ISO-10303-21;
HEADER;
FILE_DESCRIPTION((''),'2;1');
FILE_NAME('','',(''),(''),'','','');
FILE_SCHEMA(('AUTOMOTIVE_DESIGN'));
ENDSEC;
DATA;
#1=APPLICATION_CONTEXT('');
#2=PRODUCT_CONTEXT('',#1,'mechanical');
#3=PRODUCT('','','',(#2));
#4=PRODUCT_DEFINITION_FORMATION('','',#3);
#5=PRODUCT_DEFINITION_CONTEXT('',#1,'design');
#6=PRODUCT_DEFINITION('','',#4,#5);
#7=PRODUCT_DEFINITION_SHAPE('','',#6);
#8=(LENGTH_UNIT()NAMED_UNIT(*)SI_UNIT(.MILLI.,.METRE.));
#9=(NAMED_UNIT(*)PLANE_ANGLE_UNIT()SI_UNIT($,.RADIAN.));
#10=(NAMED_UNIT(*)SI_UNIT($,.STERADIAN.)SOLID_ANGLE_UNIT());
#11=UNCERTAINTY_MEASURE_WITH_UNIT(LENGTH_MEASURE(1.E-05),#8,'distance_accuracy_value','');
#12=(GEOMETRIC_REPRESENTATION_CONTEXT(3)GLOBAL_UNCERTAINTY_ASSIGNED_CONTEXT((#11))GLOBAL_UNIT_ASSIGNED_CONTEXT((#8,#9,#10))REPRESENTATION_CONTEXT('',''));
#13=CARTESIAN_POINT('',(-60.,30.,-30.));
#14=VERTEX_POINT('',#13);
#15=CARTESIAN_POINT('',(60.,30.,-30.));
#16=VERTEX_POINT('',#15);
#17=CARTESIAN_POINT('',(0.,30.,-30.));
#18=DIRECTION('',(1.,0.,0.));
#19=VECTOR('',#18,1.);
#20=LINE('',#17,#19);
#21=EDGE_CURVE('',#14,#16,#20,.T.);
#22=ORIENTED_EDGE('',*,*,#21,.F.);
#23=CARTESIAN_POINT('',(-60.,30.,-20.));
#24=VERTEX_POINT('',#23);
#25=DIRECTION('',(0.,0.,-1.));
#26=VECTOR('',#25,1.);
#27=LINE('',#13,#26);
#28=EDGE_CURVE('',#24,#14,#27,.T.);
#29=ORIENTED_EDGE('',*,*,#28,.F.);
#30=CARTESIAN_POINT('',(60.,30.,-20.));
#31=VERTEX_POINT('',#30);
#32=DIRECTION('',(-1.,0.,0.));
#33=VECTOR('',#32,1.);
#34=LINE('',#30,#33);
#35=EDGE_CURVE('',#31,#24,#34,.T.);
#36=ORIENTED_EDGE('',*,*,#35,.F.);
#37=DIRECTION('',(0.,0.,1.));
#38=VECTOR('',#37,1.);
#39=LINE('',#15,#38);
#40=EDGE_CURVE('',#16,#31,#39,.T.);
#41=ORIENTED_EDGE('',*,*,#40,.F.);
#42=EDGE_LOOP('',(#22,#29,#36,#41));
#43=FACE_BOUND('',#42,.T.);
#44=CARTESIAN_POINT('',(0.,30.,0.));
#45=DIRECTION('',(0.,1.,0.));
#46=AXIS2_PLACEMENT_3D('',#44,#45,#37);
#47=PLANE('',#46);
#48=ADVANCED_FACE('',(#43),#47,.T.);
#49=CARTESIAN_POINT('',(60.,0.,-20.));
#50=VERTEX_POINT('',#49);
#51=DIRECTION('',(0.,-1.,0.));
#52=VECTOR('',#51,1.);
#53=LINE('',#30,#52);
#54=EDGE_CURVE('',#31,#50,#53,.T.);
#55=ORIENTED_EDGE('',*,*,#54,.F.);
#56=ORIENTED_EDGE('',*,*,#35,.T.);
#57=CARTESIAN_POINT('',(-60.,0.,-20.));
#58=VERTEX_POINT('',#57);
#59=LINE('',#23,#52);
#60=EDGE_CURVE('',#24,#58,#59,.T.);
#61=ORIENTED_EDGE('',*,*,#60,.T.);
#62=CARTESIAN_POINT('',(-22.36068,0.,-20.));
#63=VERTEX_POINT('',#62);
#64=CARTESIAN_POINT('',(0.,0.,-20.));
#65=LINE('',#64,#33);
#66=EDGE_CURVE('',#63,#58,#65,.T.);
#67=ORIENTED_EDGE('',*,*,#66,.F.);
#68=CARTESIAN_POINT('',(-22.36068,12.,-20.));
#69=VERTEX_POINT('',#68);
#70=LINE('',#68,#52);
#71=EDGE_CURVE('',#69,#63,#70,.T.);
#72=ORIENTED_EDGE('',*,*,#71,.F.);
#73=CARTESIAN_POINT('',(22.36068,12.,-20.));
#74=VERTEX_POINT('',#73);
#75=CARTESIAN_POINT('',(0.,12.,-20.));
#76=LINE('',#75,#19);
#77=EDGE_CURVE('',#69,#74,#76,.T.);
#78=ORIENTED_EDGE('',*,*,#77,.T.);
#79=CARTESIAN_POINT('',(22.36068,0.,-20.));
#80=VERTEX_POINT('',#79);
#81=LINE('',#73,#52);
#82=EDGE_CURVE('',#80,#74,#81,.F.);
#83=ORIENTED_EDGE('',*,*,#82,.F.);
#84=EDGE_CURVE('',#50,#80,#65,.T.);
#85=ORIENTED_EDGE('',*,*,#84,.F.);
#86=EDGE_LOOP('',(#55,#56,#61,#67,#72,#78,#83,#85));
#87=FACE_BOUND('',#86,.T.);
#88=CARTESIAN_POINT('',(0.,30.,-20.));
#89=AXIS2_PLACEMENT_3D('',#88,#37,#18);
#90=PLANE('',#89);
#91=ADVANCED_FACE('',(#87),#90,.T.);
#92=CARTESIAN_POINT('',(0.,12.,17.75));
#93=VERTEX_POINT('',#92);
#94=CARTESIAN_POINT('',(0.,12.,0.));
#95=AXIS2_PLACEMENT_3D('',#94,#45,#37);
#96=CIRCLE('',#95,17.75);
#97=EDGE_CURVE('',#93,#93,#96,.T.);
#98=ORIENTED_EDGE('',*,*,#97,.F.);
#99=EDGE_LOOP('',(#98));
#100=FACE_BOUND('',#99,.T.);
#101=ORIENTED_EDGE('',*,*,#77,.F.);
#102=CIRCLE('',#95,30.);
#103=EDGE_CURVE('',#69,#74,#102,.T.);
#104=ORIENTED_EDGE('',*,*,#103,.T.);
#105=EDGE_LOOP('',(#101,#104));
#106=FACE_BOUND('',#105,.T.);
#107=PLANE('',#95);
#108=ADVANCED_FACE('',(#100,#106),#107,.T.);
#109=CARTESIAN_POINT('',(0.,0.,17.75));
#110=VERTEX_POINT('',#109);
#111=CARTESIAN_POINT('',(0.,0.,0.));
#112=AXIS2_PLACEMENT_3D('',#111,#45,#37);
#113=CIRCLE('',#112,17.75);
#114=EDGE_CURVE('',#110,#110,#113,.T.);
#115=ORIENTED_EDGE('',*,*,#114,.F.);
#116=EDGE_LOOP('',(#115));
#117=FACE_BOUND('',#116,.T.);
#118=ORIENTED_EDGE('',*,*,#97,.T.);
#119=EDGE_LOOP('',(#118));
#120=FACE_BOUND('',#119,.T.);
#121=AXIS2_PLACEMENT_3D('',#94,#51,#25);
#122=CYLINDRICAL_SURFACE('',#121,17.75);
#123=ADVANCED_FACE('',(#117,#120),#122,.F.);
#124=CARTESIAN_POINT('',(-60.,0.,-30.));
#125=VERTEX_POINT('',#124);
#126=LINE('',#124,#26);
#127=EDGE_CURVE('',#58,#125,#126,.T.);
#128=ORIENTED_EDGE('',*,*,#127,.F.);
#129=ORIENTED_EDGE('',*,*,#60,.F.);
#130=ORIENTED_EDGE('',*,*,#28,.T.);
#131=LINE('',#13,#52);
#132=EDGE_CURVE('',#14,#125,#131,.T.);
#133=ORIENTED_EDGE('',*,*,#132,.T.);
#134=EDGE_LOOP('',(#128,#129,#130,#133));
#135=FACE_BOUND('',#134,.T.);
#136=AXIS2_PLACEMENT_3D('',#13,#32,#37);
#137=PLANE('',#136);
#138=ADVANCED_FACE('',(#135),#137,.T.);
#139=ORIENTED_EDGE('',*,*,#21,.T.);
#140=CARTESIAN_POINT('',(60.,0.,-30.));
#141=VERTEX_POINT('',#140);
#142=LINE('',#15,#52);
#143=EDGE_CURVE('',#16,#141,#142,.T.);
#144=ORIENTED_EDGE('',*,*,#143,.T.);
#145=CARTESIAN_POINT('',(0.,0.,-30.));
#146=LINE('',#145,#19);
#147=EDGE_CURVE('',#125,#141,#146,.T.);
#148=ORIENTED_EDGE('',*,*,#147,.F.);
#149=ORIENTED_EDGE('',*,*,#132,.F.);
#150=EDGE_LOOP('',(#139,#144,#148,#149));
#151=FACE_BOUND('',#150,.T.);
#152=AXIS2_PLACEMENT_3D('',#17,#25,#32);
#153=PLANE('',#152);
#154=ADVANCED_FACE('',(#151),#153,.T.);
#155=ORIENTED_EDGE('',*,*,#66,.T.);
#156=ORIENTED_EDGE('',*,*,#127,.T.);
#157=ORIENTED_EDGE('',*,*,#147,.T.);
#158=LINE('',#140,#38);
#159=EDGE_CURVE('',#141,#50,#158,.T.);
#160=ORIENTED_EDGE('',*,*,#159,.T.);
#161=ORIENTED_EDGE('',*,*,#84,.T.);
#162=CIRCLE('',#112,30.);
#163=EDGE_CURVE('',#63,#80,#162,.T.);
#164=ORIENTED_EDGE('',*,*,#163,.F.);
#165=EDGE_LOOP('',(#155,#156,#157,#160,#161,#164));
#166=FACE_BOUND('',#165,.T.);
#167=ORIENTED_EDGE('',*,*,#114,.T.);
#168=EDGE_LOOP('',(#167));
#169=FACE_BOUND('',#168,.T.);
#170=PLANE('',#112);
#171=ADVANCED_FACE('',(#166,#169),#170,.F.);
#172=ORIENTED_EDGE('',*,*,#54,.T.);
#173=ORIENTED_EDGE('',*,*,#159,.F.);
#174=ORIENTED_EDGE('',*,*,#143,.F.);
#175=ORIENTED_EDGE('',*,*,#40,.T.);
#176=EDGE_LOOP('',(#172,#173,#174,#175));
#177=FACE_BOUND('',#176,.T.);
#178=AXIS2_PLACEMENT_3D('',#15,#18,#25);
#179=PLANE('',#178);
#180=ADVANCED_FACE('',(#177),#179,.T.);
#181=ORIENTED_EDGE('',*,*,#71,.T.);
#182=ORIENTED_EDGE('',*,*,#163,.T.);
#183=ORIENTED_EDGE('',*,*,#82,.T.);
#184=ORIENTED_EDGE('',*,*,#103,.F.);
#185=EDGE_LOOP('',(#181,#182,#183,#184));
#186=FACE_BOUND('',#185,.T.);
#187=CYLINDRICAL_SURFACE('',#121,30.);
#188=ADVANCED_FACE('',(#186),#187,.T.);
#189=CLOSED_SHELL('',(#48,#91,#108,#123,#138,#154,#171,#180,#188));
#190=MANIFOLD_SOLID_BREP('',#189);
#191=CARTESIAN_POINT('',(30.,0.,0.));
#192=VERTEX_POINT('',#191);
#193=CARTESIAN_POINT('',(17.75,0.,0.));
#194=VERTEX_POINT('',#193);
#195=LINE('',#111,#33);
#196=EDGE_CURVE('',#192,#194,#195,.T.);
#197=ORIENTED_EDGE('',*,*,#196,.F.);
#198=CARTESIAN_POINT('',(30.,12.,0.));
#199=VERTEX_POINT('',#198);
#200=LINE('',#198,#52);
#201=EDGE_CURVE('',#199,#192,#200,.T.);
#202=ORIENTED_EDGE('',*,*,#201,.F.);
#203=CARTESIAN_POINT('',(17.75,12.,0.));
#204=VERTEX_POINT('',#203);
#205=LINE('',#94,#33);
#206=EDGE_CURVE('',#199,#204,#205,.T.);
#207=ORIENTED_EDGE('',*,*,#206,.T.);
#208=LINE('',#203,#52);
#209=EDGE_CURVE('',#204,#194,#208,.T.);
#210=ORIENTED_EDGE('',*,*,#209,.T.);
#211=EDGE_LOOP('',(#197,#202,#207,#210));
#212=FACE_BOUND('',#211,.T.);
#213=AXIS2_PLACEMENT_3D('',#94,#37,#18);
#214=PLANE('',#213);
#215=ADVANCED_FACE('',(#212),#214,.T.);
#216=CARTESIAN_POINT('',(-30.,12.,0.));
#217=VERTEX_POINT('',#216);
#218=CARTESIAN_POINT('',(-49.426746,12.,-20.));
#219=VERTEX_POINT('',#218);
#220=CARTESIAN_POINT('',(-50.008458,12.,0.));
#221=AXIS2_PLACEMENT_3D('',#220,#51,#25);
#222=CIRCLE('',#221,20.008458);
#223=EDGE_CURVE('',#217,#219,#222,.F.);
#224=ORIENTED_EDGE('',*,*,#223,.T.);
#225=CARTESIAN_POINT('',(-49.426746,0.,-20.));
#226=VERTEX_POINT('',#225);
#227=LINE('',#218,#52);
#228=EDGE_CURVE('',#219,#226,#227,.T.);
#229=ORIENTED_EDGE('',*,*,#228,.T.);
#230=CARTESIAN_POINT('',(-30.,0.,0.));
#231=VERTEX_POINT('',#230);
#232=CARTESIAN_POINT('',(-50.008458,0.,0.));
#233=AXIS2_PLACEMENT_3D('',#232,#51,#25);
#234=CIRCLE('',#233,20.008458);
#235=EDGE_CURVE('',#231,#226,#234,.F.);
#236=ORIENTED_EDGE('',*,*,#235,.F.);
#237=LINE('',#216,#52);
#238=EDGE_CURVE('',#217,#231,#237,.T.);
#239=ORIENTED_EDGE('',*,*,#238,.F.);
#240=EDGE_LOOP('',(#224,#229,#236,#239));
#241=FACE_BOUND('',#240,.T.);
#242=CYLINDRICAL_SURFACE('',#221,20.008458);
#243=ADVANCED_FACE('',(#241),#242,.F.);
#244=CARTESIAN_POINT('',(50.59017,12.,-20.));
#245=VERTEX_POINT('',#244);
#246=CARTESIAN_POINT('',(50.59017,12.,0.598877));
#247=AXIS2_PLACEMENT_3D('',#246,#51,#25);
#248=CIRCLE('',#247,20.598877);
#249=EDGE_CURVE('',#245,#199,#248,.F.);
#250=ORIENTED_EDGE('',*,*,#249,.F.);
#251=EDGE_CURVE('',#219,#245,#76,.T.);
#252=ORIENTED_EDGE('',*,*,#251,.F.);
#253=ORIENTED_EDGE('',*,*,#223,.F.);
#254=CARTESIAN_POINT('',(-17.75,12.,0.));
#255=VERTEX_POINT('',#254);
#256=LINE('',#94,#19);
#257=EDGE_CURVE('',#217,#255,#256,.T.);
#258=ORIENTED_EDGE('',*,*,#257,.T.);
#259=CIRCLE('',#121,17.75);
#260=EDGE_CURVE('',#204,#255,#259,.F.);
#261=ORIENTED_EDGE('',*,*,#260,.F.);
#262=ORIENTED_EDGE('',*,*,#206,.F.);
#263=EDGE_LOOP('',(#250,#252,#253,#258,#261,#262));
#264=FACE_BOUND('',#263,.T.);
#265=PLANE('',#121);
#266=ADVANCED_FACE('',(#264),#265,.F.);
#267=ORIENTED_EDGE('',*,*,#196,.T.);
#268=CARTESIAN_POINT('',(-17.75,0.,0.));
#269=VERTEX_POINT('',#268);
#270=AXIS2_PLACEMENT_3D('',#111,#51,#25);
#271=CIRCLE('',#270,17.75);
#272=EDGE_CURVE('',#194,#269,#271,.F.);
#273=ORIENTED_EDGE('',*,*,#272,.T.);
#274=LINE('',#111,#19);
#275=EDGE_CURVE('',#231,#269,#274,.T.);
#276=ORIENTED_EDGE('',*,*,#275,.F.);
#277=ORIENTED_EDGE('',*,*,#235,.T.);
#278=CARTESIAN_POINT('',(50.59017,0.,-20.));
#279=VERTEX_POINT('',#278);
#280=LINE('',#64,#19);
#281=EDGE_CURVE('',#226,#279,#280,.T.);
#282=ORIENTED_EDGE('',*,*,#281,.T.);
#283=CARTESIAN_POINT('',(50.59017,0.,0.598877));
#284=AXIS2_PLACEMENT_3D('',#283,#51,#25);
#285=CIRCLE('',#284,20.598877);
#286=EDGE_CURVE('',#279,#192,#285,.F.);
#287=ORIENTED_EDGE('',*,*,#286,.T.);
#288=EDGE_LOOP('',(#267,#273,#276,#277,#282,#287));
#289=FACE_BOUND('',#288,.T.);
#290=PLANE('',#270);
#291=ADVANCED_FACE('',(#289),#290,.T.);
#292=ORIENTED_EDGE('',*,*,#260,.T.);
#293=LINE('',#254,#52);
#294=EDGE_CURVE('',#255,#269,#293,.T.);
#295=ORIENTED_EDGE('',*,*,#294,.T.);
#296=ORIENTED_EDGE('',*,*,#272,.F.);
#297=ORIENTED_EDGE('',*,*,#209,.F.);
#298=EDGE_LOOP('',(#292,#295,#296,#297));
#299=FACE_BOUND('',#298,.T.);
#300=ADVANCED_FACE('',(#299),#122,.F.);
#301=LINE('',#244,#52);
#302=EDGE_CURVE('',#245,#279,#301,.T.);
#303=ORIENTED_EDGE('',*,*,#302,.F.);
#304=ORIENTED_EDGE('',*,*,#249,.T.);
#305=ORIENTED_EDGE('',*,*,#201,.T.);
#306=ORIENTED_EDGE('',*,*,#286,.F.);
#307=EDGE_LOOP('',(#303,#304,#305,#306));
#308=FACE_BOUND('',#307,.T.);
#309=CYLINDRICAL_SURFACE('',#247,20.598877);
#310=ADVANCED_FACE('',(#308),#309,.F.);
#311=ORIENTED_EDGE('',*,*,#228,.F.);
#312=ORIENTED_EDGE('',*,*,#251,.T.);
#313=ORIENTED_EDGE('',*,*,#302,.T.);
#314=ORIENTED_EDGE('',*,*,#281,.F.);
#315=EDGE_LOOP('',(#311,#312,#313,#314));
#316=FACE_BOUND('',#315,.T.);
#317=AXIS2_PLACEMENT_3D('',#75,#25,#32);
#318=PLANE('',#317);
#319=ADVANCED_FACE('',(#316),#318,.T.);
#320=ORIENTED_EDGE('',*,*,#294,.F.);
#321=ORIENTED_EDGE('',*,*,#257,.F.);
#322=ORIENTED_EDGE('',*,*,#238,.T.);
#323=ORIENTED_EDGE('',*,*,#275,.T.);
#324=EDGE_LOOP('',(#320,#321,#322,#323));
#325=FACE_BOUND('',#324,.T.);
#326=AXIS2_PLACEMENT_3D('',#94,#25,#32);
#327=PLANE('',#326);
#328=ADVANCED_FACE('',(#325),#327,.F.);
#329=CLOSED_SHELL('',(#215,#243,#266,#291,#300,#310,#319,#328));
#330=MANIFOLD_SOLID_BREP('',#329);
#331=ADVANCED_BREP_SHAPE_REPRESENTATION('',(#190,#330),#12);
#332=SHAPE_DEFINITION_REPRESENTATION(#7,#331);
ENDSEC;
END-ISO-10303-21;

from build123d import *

# Parameters (mm, degrees)
SKETCH1_R           = 30
SKETCH1_R_2         = 17.75
BOSS_EXTRUDE1_DEPTH = 12
BOSS_EXTRUDE2_DEPTH = 30
BOSS_EXTRUDE3_DEPTH = 12


with BuildPart() as part:
    # Sketch1 → Boss-Extrude1 (new body)
    with BuildSketch(Plane(origin=(0, 0, 0), x_dir=(1, 0, 0), z_dir=(0, 1, 0))):
        with Locations(Location((0, 0, 0), (0, 0, 270))):
            Circle(SKETCH1_R)
        with Locations(Location((0, 0, 0), (0, 0, 270))):
            Circle(SKETCH1_R_2, mode=Mode.SUBTRACT)
    extrude(amount=BOSS_EXTRUDE1_DEPTH)

    # Sketch5 → Boss-Extrude2 (add)
    with BuildSketch(Plane.XZ):
        Polygon((0, -30), (60, -30), (60, -20), (0, -20), (-60, -20), (-60, -30), align=None)
    extrude(amount=-BOSS_EXTRUDE2_DEPTH)


with BuildPart() as body_2:
    # Sketch6 → Boss-Extrude3 (new body)
    with BuildSketch(Plane.XZ):
        with BuildLine():
            ThreePointArc((-30, 0), (-28.025170769, -10.704662693), (-22.360679775, -20))
            Line((-22.360679775, -20), (22.360679775, -20))
            ThreePointArc((22.360679775, -20), (28.025170769, -10.704662693), (30, 0))
            Line((30, 0), (17.75, 0))
            ThreePointArc((17.75, 0), (0, -17.75), (-17.75, 0))
            Line((-17.75, 0), (-30, 0))
        make_face()
        with BuildLine():
            ThreePointArc((30, 0), (28.025170769, -10.704662693), (22.360679775, -20))
            Line((22.360679775, -20), (50.590169944, -20))
            ThreePointArc((50.590169944, -20), (36.237860911, -14.176946646), (30, 0))
        make_face()
        with BuildLine():
            Line((-49.426745923, -20), (-22.360679775, -20))
            ThreePointArc((-22.360679775, -20), (-28.025170769, -10.704662693), (-30, 0))
            ThreePointArc((-30, 0), (-35.6561489, -13.940933049), (-49.426745923, -20))
        make_face()
    extrude(amount=-BOSS_EXTRUDE3_DEPTH)


solid = Compound([part.part, body_2.part])
